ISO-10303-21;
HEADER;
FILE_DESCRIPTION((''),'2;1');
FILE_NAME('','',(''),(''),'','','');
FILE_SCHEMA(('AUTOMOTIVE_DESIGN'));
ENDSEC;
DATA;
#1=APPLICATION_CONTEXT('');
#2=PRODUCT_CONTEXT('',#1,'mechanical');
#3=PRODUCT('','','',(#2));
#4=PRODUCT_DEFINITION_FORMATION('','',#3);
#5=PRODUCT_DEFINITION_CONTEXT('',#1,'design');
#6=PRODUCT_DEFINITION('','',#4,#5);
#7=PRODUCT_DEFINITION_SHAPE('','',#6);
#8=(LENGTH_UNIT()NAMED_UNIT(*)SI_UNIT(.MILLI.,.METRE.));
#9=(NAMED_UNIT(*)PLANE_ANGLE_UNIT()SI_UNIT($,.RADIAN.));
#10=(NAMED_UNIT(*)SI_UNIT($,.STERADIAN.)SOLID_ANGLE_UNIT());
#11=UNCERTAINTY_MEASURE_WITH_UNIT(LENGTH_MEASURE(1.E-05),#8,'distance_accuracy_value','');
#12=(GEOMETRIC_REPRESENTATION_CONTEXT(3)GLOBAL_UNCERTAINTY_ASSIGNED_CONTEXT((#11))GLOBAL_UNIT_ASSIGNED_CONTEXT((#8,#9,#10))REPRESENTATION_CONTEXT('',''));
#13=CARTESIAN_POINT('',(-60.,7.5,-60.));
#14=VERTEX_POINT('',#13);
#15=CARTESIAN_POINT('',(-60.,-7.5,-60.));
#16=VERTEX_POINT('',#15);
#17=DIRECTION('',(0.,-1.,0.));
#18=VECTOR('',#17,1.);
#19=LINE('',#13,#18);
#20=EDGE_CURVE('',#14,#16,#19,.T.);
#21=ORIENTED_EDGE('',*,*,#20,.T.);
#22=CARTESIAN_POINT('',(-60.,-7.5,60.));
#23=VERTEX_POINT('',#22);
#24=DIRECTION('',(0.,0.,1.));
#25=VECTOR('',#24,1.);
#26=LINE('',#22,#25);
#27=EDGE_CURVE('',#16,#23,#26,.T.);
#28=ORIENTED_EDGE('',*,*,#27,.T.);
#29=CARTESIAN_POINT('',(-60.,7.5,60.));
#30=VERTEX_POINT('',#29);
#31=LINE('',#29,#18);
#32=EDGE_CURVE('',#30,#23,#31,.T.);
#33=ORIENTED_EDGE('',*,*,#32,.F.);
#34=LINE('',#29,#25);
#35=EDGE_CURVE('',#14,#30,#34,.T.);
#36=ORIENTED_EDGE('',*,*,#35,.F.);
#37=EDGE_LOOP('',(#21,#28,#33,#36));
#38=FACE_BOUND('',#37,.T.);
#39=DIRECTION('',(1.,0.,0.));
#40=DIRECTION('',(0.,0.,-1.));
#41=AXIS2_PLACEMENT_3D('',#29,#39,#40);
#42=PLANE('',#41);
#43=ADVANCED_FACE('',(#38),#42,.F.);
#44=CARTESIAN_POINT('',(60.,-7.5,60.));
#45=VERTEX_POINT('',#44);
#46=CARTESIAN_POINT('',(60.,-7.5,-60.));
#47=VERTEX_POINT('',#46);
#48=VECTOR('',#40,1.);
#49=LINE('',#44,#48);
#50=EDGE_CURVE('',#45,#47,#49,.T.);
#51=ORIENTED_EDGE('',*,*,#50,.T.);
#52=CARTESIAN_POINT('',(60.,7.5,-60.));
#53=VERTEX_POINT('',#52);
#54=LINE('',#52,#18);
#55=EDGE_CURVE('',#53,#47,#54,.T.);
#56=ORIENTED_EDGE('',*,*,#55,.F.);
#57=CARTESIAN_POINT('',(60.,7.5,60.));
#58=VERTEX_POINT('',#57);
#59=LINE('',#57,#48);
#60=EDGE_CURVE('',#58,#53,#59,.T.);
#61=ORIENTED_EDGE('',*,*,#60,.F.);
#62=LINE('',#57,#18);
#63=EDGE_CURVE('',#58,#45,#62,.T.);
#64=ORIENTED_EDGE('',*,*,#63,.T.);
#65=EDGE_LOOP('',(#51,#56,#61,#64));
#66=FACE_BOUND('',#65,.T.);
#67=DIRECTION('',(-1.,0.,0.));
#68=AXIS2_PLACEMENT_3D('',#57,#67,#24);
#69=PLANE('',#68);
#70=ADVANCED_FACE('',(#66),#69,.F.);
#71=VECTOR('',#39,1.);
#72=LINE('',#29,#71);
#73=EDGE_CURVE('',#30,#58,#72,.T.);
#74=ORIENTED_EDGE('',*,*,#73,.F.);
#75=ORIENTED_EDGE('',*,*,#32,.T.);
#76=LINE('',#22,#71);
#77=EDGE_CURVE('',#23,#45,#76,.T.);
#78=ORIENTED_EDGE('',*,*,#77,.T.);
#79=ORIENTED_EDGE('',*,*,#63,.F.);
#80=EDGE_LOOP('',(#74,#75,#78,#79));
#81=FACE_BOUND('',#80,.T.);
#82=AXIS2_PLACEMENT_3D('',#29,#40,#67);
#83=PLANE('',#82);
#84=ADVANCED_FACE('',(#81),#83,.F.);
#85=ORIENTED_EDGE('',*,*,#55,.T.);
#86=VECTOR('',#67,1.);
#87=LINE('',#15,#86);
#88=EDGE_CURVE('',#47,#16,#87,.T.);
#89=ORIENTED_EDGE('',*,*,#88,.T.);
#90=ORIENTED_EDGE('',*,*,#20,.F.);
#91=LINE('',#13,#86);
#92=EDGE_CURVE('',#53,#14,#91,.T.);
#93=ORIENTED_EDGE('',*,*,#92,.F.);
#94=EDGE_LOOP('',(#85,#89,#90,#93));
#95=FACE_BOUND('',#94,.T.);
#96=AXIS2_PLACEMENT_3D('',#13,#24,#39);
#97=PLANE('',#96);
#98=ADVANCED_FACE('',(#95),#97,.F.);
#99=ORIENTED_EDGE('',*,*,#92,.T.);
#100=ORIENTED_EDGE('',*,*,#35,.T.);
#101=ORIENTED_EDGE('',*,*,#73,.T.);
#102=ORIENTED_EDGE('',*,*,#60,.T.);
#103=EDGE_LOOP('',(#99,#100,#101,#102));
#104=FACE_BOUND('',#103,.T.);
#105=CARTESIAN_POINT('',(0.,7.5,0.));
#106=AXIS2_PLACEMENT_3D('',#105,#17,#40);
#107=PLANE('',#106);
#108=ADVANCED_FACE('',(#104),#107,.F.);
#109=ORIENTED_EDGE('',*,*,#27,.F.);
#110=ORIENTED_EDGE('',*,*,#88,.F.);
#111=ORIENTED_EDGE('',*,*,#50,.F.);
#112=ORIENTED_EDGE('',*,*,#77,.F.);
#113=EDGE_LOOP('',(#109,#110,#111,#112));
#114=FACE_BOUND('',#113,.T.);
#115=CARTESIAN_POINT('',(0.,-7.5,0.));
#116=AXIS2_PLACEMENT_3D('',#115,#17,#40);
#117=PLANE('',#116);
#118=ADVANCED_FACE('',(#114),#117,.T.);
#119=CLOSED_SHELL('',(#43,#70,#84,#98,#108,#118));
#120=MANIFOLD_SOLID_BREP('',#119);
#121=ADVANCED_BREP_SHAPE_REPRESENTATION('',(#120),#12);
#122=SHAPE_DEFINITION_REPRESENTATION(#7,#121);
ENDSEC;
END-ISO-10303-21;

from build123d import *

# Parameters (mm, degrees)
SKETCH1_W           = 120
SKETCH1_H           = 120
BOSS_EXTRUDE1_DEPTH = 7.5


with BuildPart() as part:
    # Sketch1 → Boss-Extrude1 (new, symmetric)
    with BuildSketch(Plane(origin=(0, 0, 0), x_dir=(1, 0, 0), z_dir=(0, 1, 0))):
        Rectangle(SKETCH1_W, SKETCH1_H)
    extrude(amount=BOSS_EXTRUDE1_DEPTH, both=True)


solid = part.part
